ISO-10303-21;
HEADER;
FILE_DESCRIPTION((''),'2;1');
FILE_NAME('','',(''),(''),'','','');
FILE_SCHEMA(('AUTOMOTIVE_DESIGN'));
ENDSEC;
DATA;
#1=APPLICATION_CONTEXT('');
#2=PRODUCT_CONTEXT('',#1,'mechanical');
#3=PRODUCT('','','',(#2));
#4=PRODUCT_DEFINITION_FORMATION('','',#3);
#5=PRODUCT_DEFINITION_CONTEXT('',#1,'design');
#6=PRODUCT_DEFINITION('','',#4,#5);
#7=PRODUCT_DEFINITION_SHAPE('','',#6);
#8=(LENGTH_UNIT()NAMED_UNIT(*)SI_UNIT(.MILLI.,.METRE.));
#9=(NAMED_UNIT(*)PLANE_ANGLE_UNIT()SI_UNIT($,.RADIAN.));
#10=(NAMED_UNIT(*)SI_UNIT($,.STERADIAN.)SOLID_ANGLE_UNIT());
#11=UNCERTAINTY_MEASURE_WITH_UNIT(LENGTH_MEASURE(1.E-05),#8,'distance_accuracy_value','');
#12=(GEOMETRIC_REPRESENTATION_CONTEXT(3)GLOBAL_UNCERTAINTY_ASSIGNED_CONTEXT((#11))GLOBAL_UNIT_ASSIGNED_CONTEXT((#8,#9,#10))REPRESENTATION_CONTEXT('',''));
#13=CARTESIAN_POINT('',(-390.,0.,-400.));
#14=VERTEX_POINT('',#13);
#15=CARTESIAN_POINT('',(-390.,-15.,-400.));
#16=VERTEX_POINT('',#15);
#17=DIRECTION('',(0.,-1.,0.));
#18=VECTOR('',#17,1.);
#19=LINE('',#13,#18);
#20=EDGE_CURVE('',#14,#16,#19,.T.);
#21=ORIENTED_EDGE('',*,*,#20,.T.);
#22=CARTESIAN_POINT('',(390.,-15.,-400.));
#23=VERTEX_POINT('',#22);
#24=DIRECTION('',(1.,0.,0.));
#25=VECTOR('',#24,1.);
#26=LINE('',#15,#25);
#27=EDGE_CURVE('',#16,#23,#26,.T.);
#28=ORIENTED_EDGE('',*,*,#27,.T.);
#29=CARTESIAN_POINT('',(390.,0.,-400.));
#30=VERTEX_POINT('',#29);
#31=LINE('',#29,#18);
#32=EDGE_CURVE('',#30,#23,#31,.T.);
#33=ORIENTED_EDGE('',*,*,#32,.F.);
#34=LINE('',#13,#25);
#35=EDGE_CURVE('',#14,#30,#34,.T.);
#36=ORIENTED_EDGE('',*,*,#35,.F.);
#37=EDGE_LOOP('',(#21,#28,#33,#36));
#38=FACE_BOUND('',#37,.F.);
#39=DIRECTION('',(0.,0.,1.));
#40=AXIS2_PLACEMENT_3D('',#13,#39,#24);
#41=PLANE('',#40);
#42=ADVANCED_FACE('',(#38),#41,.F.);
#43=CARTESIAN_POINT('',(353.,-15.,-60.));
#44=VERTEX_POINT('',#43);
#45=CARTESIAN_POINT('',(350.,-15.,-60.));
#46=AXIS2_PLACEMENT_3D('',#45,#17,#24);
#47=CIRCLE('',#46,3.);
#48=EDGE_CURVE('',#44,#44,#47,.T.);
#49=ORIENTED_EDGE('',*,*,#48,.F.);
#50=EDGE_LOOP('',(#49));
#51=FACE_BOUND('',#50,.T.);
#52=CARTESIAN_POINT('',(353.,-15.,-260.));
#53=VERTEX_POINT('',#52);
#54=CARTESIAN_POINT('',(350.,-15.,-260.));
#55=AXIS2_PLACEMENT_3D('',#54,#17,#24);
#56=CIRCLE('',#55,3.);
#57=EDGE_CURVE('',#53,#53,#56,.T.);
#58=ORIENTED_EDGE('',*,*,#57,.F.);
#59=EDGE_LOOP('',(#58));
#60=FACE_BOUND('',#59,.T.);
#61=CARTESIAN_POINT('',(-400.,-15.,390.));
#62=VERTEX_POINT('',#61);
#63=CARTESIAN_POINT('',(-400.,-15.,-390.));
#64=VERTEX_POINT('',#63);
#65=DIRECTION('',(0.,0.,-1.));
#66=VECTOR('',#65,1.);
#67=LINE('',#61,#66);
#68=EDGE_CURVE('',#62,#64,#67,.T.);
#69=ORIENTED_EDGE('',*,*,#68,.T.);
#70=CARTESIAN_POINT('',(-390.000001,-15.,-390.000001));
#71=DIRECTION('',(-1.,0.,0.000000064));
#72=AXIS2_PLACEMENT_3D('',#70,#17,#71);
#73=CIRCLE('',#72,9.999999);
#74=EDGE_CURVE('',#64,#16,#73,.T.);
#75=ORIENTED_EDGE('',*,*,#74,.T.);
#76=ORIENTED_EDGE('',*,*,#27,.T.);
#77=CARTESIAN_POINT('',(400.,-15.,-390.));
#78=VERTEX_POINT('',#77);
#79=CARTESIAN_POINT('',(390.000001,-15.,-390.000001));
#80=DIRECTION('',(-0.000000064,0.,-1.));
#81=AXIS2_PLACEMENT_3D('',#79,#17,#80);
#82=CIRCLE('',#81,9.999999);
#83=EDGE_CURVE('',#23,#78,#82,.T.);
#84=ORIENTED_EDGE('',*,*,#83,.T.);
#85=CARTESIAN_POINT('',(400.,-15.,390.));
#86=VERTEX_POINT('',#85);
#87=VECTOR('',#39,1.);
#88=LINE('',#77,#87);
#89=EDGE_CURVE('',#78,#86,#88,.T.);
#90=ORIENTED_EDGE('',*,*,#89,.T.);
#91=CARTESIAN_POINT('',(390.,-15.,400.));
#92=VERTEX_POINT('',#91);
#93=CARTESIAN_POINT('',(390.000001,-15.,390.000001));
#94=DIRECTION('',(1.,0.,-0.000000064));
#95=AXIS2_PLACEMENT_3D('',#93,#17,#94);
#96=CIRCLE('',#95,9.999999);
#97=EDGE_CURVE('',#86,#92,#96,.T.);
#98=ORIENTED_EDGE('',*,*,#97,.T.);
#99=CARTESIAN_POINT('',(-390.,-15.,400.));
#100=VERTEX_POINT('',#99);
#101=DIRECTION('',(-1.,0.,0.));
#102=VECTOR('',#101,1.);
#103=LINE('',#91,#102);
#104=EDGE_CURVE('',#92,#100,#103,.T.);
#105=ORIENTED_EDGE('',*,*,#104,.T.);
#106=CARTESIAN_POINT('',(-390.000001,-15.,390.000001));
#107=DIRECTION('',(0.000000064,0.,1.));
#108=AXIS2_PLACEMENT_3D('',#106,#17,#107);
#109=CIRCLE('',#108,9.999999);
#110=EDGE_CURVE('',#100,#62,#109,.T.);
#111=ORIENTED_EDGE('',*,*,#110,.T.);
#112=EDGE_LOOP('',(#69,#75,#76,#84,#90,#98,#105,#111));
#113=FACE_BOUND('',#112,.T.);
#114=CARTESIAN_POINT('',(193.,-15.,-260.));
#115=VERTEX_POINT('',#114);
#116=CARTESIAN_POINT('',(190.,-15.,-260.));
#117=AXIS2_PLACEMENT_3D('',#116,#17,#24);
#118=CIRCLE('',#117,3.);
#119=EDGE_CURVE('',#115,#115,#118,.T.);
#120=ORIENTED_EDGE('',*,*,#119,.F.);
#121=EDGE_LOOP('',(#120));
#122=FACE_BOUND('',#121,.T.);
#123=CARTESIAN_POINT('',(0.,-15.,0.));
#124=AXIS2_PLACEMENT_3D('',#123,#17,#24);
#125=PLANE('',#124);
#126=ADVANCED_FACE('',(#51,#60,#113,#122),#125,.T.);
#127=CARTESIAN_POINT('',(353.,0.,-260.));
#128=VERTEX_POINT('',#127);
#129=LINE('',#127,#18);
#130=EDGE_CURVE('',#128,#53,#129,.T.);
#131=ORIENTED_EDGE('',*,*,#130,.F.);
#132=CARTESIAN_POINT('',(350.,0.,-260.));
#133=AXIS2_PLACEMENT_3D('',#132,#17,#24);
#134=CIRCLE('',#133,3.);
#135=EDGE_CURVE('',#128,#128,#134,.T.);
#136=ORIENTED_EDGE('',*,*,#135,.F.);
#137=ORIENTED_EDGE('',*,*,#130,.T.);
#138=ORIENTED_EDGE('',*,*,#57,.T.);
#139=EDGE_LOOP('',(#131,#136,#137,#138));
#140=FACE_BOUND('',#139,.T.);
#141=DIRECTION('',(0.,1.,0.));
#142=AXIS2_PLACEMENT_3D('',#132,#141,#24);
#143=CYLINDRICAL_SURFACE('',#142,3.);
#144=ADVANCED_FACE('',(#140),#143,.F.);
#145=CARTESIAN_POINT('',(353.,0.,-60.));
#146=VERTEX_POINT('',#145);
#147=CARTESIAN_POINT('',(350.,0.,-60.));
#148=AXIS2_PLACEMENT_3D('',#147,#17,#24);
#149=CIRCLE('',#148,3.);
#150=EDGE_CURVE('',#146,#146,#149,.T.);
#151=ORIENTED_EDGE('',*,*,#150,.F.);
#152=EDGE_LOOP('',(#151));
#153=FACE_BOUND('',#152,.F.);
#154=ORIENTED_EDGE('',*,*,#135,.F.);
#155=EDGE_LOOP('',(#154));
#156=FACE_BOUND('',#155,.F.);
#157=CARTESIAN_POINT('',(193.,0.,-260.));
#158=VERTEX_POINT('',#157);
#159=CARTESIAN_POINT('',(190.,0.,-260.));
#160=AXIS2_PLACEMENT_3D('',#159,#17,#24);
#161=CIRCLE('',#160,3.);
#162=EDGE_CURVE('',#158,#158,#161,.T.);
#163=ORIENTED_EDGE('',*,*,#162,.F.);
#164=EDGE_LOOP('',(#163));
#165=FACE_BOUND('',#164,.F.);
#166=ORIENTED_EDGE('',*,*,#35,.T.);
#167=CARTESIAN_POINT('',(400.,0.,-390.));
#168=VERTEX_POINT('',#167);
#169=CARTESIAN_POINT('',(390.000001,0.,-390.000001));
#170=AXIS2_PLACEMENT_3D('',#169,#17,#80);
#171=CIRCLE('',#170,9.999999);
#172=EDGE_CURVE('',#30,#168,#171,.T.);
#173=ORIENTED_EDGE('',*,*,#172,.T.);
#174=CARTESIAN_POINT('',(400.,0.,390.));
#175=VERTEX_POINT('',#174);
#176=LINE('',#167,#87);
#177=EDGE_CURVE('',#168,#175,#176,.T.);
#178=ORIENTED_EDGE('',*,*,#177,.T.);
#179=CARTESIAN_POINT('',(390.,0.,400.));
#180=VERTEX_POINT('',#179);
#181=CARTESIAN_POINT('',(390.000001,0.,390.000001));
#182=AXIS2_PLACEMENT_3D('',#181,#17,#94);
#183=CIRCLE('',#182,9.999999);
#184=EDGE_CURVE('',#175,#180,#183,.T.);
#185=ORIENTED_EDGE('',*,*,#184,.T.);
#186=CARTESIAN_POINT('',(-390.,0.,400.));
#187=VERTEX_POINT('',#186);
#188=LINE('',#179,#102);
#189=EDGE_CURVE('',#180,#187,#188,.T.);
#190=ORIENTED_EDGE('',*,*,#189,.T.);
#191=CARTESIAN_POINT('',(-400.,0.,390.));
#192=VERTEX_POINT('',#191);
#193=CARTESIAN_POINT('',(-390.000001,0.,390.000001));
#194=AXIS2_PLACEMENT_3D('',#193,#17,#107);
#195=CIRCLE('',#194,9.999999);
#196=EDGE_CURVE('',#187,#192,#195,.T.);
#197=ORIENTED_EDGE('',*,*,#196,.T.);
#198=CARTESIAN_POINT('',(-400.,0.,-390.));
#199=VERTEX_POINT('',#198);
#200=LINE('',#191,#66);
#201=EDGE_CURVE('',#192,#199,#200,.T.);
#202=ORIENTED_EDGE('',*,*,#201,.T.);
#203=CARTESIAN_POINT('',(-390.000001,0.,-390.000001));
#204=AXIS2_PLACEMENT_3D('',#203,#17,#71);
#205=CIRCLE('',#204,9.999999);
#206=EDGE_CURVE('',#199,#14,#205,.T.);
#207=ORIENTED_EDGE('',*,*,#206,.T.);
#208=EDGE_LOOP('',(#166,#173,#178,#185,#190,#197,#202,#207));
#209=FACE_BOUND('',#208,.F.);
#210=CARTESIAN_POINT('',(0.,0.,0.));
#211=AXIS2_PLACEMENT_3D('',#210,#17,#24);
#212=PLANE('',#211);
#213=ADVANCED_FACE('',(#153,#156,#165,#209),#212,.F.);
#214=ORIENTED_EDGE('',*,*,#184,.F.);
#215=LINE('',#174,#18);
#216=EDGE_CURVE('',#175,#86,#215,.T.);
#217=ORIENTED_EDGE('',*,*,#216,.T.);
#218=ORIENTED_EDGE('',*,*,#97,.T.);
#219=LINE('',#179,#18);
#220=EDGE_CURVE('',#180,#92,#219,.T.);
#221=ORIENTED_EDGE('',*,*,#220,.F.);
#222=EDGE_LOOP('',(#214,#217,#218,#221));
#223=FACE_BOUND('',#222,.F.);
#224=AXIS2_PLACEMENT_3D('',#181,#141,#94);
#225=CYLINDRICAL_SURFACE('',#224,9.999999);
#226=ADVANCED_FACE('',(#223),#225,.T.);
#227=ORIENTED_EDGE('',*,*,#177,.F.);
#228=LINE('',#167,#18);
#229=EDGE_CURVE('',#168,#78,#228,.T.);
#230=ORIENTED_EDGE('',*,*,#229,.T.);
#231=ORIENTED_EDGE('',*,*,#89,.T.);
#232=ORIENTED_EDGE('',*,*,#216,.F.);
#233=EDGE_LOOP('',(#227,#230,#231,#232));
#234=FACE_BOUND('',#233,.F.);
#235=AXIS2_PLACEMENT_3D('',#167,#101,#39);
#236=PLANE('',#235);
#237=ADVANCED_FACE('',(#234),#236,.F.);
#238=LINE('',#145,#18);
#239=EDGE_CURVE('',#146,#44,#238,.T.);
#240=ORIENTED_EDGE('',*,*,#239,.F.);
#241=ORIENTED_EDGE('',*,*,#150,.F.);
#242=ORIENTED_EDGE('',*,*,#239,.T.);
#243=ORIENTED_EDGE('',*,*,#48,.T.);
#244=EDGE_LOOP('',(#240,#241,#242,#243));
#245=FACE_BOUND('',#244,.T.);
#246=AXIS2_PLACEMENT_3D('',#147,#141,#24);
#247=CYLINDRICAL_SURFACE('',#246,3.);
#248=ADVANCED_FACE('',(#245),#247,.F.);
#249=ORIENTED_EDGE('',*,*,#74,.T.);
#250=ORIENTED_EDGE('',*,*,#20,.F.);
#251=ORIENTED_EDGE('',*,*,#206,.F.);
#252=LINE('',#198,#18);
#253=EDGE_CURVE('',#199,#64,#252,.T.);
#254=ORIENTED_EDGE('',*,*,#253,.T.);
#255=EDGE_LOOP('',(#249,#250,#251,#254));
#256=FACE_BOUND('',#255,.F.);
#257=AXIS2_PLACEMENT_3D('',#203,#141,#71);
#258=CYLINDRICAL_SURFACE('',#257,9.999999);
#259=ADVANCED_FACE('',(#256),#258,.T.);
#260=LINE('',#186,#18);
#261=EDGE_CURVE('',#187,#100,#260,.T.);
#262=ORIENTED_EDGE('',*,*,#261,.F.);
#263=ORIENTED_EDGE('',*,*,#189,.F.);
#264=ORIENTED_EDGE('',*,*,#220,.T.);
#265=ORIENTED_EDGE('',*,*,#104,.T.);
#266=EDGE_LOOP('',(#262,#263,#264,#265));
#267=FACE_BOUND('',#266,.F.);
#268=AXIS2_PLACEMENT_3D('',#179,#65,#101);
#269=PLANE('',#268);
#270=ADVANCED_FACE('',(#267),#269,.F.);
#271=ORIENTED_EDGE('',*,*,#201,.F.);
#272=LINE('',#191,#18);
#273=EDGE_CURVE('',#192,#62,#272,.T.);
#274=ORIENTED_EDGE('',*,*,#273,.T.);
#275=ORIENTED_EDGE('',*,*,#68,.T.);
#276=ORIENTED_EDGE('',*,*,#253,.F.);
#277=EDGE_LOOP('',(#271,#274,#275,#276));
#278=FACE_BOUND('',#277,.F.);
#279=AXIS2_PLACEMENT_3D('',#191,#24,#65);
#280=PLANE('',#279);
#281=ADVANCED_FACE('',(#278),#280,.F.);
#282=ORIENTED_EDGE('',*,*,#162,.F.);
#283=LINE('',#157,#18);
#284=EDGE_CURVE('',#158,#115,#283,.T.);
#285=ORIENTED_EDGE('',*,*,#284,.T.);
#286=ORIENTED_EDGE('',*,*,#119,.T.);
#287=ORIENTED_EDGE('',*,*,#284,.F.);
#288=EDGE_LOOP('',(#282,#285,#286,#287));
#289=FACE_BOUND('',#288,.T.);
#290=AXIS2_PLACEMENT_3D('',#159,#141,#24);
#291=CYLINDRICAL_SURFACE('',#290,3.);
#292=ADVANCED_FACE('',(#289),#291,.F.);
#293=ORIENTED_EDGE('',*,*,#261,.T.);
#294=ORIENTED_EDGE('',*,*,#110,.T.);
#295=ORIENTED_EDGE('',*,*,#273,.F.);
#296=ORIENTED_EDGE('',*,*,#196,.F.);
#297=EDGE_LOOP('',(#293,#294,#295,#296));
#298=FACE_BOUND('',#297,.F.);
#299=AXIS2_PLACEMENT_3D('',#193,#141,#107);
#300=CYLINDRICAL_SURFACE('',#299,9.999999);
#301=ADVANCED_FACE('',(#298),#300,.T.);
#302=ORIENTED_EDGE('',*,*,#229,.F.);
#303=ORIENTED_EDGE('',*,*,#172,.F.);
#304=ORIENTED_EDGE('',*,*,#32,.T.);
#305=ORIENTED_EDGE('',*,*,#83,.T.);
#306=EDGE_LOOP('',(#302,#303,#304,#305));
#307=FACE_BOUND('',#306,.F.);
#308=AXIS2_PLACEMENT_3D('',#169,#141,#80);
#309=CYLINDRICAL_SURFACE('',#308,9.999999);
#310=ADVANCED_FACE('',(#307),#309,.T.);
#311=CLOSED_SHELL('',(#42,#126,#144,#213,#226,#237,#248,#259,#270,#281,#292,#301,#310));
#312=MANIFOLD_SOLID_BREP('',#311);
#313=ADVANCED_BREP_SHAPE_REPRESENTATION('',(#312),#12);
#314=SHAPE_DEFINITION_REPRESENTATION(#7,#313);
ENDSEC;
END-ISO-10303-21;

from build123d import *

# Parameters (mm, degrees)
F0_R     = 3
F1_DEPTH = 15


with BuildPart() as f1:
    # F0 (on Front) → F1 (new body)
    with BuildSketch(Plane.XZ):
        with BuildLine():
            ThreePointArc((400, 390), (397.071068, 397.071068), (390, 400))
            Line((390, 400), (-390, 400))
            ThreePointArc((-390, 400), (-397.071068, 397.071068), (-400, 390))
            Line((-400, 390), (-400, -390))
            ThreePointArc((-400, -390), (-397.071068, -397.071068), (-390, -400))
            Line((-390, -400), (390, -400))
            ThreePointArc((390, -400), (397.071068, -397.071068), (400, -390))
            Line((400, -390), (400, 390))
        make_face()
        with Locations((190, -260)):
            Circle(F0_R, mode=Mode.SUBTRACT)
        with Locations((350, -260)):
            Circle(F0_R, mode=Mode.SUBTRACT)
        with Locations((350, -60)):
            Circle(F0_R, mode=Mode.SUBTRACT)
    extrude(amount=F1_DEPTH)


solid = f1.part
